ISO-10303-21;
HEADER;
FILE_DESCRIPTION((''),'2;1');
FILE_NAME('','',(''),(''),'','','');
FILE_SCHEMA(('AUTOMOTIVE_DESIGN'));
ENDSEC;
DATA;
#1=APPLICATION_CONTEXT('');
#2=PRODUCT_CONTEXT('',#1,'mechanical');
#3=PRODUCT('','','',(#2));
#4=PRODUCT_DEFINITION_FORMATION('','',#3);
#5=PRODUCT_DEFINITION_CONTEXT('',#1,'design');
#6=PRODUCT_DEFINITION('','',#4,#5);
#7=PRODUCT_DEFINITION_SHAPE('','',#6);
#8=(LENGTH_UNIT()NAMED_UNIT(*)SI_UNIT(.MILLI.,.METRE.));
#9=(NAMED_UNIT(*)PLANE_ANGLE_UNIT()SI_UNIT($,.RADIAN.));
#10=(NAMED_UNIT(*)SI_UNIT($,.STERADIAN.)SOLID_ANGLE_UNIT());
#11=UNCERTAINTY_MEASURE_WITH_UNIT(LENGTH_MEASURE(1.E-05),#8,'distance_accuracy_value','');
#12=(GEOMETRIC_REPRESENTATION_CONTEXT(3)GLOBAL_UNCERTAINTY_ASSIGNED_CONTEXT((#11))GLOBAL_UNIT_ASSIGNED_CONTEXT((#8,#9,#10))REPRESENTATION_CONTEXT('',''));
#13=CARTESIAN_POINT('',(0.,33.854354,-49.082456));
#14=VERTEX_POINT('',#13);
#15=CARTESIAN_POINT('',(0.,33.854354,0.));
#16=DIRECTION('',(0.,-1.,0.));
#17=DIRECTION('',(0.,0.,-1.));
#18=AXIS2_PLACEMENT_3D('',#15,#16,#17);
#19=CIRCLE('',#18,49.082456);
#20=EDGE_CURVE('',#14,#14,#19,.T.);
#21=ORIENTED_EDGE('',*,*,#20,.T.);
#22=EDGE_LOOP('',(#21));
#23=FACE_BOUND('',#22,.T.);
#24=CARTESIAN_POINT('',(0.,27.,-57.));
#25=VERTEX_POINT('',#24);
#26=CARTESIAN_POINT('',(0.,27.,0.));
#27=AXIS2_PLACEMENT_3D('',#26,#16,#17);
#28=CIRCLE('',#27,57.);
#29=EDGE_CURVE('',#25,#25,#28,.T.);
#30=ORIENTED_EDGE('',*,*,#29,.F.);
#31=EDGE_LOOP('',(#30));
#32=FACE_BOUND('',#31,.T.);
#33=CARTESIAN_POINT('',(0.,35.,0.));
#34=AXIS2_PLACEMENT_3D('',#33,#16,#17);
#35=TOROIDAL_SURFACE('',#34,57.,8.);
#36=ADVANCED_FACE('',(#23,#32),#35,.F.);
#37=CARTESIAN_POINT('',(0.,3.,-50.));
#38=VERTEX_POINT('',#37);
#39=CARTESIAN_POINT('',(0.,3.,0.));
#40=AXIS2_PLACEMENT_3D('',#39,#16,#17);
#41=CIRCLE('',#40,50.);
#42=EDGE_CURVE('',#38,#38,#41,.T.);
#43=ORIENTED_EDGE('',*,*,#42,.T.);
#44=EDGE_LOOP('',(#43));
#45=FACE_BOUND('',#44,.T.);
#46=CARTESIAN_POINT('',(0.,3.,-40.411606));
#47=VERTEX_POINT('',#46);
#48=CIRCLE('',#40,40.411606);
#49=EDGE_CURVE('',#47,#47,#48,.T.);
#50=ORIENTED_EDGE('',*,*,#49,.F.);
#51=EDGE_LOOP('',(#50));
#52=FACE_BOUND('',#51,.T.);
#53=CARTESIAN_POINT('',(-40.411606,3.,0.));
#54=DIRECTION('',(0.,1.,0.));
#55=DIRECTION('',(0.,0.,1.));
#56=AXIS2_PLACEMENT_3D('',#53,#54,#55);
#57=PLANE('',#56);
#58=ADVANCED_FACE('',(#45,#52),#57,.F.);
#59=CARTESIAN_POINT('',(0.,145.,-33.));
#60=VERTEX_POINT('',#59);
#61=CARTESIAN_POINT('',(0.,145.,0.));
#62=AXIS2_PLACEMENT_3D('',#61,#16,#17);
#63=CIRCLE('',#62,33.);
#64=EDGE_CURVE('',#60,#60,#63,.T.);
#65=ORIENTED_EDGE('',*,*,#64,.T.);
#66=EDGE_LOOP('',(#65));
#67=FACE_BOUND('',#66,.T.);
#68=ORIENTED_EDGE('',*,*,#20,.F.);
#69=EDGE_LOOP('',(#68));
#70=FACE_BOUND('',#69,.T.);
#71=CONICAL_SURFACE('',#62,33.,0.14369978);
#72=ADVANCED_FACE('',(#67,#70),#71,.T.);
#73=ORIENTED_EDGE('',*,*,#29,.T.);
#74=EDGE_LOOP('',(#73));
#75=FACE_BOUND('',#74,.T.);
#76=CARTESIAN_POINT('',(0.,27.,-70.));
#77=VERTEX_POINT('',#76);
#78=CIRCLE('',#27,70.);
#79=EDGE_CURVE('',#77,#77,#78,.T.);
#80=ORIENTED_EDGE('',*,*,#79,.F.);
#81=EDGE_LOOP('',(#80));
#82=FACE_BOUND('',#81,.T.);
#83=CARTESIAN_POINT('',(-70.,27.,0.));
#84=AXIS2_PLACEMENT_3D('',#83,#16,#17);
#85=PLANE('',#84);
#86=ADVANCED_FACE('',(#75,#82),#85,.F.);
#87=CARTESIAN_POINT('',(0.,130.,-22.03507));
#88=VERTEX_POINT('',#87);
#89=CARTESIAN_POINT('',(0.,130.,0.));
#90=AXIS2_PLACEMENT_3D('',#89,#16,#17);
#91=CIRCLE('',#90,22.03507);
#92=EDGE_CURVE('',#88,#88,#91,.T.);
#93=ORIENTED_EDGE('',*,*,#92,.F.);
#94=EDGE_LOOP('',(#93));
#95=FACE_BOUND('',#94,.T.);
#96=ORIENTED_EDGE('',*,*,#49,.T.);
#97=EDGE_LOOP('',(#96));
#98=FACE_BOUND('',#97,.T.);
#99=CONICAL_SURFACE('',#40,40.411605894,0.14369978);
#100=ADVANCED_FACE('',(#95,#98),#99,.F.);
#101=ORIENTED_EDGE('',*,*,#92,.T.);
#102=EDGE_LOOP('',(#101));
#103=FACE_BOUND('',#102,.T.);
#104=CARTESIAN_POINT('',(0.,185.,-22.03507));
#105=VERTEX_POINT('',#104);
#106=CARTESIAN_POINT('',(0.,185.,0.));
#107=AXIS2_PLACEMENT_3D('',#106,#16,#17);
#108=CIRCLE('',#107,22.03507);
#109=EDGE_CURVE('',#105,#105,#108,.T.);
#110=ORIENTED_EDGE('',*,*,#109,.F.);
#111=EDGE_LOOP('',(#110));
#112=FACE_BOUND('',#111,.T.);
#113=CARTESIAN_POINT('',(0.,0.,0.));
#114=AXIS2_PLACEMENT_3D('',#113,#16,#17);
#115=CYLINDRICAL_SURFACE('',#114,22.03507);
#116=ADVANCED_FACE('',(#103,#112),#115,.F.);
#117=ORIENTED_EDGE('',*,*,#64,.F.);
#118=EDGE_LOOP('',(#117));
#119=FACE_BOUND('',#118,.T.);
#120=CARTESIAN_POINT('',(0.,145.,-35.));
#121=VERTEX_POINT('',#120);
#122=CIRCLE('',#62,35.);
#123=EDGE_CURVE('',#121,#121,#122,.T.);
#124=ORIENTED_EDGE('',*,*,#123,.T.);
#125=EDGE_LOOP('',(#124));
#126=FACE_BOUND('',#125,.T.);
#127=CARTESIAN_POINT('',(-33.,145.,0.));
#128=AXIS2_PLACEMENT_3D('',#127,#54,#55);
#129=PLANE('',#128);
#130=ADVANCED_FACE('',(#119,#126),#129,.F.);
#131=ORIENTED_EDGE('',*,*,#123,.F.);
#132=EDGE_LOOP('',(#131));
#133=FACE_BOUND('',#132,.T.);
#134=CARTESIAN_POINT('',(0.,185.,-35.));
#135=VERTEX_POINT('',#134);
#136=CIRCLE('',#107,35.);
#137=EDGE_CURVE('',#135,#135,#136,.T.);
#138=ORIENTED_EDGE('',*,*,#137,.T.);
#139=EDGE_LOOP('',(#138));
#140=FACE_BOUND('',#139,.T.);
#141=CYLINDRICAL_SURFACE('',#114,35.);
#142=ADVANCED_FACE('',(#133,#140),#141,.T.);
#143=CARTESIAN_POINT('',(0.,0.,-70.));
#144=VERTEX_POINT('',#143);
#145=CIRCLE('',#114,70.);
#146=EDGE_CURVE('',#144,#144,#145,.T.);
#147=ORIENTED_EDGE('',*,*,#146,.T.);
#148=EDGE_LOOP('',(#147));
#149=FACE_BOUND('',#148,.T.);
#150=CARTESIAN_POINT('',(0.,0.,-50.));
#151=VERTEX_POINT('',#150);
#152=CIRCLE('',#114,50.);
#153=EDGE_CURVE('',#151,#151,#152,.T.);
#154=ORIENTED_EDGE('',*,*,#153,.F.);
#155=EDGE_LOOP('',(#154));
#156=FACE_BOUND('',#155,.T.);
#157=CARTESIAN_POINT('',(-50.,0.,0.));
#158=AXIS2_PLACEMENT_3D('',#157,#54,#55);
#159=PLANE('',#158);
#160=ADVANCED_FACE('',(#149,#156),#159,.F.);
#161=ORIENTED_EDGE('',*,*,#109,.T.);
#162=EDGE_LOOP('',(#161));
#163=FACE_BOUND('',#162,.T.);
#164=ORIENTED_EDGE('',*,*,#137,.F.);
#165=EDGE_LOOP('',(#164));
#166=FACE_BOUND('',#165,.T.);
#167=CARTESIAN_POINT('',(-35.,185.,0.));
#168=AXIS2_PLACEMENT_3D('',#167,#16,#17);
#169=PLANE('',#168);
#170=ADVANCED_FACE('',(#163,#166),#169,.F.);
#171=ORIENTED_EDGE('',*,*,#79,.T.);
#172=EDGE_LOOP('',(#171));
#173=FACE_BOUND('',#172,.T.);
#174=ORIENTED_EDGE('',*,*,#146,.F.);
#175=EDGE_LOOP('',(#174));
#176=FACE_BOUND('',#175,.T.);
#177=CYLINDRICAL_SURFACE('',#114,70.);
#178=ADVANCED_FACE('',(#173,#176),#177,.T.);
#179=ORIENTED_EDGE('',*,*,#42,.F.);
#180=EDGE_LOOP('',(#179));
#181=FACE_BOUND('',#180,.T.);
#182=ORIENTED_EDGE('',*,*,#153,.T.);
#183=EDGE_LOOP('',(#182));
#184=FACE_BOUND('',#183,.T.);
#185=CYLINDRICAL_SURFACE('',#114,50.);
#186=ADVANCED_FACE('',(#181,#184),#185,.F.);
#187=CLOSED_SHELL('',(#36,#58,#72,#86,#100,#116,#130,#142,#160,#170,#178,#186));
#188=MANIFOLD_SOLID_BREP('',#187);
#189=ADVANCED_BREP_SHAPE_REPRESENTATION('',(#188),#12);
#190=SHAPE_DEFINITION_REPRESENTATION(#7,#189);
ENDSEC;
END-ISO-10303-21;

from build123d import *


with BuildPart() as part:
    # Sketch1 → Revolve1 (revolve)
    with BuildSketch(Plane.XY, mode=Mode.PRIVATE) as revolve1_sk:
        with BuildLine():
            Line((-70, 0), (-70, 27))
            Line((-70, 27), (-57, 27))
            ThreePointArc((-57, 27), (-51.763835702, 28.95164622), (-49.082456469, 33.854354139))
            Line((-49.082456469, 33.854354139), (-33, 145))
            Line((-33, 145), (-35, 145))
            Line((-35, 145), (-35, 185))
            Line((-35, 185), (-22.035069811, 185))
            Line((-22.035069811, 185), (-22.035069811, 130))
            Line((-22.035069811, 130), (-40.411605894, 3))
            Line((-40.411605894, 3), (-50, 3))
            Line((-50, 3), (-50, 0))
            Line((-50, 0), (-70, 0))
        make_face()
    revolve(revolve1_sk.sketch.rotate(Axis((0, 0, 0), (0, 1, 0)), 270), axis=Axis((0, 0, 0), (0, 1, 0)))


solid = part.part
